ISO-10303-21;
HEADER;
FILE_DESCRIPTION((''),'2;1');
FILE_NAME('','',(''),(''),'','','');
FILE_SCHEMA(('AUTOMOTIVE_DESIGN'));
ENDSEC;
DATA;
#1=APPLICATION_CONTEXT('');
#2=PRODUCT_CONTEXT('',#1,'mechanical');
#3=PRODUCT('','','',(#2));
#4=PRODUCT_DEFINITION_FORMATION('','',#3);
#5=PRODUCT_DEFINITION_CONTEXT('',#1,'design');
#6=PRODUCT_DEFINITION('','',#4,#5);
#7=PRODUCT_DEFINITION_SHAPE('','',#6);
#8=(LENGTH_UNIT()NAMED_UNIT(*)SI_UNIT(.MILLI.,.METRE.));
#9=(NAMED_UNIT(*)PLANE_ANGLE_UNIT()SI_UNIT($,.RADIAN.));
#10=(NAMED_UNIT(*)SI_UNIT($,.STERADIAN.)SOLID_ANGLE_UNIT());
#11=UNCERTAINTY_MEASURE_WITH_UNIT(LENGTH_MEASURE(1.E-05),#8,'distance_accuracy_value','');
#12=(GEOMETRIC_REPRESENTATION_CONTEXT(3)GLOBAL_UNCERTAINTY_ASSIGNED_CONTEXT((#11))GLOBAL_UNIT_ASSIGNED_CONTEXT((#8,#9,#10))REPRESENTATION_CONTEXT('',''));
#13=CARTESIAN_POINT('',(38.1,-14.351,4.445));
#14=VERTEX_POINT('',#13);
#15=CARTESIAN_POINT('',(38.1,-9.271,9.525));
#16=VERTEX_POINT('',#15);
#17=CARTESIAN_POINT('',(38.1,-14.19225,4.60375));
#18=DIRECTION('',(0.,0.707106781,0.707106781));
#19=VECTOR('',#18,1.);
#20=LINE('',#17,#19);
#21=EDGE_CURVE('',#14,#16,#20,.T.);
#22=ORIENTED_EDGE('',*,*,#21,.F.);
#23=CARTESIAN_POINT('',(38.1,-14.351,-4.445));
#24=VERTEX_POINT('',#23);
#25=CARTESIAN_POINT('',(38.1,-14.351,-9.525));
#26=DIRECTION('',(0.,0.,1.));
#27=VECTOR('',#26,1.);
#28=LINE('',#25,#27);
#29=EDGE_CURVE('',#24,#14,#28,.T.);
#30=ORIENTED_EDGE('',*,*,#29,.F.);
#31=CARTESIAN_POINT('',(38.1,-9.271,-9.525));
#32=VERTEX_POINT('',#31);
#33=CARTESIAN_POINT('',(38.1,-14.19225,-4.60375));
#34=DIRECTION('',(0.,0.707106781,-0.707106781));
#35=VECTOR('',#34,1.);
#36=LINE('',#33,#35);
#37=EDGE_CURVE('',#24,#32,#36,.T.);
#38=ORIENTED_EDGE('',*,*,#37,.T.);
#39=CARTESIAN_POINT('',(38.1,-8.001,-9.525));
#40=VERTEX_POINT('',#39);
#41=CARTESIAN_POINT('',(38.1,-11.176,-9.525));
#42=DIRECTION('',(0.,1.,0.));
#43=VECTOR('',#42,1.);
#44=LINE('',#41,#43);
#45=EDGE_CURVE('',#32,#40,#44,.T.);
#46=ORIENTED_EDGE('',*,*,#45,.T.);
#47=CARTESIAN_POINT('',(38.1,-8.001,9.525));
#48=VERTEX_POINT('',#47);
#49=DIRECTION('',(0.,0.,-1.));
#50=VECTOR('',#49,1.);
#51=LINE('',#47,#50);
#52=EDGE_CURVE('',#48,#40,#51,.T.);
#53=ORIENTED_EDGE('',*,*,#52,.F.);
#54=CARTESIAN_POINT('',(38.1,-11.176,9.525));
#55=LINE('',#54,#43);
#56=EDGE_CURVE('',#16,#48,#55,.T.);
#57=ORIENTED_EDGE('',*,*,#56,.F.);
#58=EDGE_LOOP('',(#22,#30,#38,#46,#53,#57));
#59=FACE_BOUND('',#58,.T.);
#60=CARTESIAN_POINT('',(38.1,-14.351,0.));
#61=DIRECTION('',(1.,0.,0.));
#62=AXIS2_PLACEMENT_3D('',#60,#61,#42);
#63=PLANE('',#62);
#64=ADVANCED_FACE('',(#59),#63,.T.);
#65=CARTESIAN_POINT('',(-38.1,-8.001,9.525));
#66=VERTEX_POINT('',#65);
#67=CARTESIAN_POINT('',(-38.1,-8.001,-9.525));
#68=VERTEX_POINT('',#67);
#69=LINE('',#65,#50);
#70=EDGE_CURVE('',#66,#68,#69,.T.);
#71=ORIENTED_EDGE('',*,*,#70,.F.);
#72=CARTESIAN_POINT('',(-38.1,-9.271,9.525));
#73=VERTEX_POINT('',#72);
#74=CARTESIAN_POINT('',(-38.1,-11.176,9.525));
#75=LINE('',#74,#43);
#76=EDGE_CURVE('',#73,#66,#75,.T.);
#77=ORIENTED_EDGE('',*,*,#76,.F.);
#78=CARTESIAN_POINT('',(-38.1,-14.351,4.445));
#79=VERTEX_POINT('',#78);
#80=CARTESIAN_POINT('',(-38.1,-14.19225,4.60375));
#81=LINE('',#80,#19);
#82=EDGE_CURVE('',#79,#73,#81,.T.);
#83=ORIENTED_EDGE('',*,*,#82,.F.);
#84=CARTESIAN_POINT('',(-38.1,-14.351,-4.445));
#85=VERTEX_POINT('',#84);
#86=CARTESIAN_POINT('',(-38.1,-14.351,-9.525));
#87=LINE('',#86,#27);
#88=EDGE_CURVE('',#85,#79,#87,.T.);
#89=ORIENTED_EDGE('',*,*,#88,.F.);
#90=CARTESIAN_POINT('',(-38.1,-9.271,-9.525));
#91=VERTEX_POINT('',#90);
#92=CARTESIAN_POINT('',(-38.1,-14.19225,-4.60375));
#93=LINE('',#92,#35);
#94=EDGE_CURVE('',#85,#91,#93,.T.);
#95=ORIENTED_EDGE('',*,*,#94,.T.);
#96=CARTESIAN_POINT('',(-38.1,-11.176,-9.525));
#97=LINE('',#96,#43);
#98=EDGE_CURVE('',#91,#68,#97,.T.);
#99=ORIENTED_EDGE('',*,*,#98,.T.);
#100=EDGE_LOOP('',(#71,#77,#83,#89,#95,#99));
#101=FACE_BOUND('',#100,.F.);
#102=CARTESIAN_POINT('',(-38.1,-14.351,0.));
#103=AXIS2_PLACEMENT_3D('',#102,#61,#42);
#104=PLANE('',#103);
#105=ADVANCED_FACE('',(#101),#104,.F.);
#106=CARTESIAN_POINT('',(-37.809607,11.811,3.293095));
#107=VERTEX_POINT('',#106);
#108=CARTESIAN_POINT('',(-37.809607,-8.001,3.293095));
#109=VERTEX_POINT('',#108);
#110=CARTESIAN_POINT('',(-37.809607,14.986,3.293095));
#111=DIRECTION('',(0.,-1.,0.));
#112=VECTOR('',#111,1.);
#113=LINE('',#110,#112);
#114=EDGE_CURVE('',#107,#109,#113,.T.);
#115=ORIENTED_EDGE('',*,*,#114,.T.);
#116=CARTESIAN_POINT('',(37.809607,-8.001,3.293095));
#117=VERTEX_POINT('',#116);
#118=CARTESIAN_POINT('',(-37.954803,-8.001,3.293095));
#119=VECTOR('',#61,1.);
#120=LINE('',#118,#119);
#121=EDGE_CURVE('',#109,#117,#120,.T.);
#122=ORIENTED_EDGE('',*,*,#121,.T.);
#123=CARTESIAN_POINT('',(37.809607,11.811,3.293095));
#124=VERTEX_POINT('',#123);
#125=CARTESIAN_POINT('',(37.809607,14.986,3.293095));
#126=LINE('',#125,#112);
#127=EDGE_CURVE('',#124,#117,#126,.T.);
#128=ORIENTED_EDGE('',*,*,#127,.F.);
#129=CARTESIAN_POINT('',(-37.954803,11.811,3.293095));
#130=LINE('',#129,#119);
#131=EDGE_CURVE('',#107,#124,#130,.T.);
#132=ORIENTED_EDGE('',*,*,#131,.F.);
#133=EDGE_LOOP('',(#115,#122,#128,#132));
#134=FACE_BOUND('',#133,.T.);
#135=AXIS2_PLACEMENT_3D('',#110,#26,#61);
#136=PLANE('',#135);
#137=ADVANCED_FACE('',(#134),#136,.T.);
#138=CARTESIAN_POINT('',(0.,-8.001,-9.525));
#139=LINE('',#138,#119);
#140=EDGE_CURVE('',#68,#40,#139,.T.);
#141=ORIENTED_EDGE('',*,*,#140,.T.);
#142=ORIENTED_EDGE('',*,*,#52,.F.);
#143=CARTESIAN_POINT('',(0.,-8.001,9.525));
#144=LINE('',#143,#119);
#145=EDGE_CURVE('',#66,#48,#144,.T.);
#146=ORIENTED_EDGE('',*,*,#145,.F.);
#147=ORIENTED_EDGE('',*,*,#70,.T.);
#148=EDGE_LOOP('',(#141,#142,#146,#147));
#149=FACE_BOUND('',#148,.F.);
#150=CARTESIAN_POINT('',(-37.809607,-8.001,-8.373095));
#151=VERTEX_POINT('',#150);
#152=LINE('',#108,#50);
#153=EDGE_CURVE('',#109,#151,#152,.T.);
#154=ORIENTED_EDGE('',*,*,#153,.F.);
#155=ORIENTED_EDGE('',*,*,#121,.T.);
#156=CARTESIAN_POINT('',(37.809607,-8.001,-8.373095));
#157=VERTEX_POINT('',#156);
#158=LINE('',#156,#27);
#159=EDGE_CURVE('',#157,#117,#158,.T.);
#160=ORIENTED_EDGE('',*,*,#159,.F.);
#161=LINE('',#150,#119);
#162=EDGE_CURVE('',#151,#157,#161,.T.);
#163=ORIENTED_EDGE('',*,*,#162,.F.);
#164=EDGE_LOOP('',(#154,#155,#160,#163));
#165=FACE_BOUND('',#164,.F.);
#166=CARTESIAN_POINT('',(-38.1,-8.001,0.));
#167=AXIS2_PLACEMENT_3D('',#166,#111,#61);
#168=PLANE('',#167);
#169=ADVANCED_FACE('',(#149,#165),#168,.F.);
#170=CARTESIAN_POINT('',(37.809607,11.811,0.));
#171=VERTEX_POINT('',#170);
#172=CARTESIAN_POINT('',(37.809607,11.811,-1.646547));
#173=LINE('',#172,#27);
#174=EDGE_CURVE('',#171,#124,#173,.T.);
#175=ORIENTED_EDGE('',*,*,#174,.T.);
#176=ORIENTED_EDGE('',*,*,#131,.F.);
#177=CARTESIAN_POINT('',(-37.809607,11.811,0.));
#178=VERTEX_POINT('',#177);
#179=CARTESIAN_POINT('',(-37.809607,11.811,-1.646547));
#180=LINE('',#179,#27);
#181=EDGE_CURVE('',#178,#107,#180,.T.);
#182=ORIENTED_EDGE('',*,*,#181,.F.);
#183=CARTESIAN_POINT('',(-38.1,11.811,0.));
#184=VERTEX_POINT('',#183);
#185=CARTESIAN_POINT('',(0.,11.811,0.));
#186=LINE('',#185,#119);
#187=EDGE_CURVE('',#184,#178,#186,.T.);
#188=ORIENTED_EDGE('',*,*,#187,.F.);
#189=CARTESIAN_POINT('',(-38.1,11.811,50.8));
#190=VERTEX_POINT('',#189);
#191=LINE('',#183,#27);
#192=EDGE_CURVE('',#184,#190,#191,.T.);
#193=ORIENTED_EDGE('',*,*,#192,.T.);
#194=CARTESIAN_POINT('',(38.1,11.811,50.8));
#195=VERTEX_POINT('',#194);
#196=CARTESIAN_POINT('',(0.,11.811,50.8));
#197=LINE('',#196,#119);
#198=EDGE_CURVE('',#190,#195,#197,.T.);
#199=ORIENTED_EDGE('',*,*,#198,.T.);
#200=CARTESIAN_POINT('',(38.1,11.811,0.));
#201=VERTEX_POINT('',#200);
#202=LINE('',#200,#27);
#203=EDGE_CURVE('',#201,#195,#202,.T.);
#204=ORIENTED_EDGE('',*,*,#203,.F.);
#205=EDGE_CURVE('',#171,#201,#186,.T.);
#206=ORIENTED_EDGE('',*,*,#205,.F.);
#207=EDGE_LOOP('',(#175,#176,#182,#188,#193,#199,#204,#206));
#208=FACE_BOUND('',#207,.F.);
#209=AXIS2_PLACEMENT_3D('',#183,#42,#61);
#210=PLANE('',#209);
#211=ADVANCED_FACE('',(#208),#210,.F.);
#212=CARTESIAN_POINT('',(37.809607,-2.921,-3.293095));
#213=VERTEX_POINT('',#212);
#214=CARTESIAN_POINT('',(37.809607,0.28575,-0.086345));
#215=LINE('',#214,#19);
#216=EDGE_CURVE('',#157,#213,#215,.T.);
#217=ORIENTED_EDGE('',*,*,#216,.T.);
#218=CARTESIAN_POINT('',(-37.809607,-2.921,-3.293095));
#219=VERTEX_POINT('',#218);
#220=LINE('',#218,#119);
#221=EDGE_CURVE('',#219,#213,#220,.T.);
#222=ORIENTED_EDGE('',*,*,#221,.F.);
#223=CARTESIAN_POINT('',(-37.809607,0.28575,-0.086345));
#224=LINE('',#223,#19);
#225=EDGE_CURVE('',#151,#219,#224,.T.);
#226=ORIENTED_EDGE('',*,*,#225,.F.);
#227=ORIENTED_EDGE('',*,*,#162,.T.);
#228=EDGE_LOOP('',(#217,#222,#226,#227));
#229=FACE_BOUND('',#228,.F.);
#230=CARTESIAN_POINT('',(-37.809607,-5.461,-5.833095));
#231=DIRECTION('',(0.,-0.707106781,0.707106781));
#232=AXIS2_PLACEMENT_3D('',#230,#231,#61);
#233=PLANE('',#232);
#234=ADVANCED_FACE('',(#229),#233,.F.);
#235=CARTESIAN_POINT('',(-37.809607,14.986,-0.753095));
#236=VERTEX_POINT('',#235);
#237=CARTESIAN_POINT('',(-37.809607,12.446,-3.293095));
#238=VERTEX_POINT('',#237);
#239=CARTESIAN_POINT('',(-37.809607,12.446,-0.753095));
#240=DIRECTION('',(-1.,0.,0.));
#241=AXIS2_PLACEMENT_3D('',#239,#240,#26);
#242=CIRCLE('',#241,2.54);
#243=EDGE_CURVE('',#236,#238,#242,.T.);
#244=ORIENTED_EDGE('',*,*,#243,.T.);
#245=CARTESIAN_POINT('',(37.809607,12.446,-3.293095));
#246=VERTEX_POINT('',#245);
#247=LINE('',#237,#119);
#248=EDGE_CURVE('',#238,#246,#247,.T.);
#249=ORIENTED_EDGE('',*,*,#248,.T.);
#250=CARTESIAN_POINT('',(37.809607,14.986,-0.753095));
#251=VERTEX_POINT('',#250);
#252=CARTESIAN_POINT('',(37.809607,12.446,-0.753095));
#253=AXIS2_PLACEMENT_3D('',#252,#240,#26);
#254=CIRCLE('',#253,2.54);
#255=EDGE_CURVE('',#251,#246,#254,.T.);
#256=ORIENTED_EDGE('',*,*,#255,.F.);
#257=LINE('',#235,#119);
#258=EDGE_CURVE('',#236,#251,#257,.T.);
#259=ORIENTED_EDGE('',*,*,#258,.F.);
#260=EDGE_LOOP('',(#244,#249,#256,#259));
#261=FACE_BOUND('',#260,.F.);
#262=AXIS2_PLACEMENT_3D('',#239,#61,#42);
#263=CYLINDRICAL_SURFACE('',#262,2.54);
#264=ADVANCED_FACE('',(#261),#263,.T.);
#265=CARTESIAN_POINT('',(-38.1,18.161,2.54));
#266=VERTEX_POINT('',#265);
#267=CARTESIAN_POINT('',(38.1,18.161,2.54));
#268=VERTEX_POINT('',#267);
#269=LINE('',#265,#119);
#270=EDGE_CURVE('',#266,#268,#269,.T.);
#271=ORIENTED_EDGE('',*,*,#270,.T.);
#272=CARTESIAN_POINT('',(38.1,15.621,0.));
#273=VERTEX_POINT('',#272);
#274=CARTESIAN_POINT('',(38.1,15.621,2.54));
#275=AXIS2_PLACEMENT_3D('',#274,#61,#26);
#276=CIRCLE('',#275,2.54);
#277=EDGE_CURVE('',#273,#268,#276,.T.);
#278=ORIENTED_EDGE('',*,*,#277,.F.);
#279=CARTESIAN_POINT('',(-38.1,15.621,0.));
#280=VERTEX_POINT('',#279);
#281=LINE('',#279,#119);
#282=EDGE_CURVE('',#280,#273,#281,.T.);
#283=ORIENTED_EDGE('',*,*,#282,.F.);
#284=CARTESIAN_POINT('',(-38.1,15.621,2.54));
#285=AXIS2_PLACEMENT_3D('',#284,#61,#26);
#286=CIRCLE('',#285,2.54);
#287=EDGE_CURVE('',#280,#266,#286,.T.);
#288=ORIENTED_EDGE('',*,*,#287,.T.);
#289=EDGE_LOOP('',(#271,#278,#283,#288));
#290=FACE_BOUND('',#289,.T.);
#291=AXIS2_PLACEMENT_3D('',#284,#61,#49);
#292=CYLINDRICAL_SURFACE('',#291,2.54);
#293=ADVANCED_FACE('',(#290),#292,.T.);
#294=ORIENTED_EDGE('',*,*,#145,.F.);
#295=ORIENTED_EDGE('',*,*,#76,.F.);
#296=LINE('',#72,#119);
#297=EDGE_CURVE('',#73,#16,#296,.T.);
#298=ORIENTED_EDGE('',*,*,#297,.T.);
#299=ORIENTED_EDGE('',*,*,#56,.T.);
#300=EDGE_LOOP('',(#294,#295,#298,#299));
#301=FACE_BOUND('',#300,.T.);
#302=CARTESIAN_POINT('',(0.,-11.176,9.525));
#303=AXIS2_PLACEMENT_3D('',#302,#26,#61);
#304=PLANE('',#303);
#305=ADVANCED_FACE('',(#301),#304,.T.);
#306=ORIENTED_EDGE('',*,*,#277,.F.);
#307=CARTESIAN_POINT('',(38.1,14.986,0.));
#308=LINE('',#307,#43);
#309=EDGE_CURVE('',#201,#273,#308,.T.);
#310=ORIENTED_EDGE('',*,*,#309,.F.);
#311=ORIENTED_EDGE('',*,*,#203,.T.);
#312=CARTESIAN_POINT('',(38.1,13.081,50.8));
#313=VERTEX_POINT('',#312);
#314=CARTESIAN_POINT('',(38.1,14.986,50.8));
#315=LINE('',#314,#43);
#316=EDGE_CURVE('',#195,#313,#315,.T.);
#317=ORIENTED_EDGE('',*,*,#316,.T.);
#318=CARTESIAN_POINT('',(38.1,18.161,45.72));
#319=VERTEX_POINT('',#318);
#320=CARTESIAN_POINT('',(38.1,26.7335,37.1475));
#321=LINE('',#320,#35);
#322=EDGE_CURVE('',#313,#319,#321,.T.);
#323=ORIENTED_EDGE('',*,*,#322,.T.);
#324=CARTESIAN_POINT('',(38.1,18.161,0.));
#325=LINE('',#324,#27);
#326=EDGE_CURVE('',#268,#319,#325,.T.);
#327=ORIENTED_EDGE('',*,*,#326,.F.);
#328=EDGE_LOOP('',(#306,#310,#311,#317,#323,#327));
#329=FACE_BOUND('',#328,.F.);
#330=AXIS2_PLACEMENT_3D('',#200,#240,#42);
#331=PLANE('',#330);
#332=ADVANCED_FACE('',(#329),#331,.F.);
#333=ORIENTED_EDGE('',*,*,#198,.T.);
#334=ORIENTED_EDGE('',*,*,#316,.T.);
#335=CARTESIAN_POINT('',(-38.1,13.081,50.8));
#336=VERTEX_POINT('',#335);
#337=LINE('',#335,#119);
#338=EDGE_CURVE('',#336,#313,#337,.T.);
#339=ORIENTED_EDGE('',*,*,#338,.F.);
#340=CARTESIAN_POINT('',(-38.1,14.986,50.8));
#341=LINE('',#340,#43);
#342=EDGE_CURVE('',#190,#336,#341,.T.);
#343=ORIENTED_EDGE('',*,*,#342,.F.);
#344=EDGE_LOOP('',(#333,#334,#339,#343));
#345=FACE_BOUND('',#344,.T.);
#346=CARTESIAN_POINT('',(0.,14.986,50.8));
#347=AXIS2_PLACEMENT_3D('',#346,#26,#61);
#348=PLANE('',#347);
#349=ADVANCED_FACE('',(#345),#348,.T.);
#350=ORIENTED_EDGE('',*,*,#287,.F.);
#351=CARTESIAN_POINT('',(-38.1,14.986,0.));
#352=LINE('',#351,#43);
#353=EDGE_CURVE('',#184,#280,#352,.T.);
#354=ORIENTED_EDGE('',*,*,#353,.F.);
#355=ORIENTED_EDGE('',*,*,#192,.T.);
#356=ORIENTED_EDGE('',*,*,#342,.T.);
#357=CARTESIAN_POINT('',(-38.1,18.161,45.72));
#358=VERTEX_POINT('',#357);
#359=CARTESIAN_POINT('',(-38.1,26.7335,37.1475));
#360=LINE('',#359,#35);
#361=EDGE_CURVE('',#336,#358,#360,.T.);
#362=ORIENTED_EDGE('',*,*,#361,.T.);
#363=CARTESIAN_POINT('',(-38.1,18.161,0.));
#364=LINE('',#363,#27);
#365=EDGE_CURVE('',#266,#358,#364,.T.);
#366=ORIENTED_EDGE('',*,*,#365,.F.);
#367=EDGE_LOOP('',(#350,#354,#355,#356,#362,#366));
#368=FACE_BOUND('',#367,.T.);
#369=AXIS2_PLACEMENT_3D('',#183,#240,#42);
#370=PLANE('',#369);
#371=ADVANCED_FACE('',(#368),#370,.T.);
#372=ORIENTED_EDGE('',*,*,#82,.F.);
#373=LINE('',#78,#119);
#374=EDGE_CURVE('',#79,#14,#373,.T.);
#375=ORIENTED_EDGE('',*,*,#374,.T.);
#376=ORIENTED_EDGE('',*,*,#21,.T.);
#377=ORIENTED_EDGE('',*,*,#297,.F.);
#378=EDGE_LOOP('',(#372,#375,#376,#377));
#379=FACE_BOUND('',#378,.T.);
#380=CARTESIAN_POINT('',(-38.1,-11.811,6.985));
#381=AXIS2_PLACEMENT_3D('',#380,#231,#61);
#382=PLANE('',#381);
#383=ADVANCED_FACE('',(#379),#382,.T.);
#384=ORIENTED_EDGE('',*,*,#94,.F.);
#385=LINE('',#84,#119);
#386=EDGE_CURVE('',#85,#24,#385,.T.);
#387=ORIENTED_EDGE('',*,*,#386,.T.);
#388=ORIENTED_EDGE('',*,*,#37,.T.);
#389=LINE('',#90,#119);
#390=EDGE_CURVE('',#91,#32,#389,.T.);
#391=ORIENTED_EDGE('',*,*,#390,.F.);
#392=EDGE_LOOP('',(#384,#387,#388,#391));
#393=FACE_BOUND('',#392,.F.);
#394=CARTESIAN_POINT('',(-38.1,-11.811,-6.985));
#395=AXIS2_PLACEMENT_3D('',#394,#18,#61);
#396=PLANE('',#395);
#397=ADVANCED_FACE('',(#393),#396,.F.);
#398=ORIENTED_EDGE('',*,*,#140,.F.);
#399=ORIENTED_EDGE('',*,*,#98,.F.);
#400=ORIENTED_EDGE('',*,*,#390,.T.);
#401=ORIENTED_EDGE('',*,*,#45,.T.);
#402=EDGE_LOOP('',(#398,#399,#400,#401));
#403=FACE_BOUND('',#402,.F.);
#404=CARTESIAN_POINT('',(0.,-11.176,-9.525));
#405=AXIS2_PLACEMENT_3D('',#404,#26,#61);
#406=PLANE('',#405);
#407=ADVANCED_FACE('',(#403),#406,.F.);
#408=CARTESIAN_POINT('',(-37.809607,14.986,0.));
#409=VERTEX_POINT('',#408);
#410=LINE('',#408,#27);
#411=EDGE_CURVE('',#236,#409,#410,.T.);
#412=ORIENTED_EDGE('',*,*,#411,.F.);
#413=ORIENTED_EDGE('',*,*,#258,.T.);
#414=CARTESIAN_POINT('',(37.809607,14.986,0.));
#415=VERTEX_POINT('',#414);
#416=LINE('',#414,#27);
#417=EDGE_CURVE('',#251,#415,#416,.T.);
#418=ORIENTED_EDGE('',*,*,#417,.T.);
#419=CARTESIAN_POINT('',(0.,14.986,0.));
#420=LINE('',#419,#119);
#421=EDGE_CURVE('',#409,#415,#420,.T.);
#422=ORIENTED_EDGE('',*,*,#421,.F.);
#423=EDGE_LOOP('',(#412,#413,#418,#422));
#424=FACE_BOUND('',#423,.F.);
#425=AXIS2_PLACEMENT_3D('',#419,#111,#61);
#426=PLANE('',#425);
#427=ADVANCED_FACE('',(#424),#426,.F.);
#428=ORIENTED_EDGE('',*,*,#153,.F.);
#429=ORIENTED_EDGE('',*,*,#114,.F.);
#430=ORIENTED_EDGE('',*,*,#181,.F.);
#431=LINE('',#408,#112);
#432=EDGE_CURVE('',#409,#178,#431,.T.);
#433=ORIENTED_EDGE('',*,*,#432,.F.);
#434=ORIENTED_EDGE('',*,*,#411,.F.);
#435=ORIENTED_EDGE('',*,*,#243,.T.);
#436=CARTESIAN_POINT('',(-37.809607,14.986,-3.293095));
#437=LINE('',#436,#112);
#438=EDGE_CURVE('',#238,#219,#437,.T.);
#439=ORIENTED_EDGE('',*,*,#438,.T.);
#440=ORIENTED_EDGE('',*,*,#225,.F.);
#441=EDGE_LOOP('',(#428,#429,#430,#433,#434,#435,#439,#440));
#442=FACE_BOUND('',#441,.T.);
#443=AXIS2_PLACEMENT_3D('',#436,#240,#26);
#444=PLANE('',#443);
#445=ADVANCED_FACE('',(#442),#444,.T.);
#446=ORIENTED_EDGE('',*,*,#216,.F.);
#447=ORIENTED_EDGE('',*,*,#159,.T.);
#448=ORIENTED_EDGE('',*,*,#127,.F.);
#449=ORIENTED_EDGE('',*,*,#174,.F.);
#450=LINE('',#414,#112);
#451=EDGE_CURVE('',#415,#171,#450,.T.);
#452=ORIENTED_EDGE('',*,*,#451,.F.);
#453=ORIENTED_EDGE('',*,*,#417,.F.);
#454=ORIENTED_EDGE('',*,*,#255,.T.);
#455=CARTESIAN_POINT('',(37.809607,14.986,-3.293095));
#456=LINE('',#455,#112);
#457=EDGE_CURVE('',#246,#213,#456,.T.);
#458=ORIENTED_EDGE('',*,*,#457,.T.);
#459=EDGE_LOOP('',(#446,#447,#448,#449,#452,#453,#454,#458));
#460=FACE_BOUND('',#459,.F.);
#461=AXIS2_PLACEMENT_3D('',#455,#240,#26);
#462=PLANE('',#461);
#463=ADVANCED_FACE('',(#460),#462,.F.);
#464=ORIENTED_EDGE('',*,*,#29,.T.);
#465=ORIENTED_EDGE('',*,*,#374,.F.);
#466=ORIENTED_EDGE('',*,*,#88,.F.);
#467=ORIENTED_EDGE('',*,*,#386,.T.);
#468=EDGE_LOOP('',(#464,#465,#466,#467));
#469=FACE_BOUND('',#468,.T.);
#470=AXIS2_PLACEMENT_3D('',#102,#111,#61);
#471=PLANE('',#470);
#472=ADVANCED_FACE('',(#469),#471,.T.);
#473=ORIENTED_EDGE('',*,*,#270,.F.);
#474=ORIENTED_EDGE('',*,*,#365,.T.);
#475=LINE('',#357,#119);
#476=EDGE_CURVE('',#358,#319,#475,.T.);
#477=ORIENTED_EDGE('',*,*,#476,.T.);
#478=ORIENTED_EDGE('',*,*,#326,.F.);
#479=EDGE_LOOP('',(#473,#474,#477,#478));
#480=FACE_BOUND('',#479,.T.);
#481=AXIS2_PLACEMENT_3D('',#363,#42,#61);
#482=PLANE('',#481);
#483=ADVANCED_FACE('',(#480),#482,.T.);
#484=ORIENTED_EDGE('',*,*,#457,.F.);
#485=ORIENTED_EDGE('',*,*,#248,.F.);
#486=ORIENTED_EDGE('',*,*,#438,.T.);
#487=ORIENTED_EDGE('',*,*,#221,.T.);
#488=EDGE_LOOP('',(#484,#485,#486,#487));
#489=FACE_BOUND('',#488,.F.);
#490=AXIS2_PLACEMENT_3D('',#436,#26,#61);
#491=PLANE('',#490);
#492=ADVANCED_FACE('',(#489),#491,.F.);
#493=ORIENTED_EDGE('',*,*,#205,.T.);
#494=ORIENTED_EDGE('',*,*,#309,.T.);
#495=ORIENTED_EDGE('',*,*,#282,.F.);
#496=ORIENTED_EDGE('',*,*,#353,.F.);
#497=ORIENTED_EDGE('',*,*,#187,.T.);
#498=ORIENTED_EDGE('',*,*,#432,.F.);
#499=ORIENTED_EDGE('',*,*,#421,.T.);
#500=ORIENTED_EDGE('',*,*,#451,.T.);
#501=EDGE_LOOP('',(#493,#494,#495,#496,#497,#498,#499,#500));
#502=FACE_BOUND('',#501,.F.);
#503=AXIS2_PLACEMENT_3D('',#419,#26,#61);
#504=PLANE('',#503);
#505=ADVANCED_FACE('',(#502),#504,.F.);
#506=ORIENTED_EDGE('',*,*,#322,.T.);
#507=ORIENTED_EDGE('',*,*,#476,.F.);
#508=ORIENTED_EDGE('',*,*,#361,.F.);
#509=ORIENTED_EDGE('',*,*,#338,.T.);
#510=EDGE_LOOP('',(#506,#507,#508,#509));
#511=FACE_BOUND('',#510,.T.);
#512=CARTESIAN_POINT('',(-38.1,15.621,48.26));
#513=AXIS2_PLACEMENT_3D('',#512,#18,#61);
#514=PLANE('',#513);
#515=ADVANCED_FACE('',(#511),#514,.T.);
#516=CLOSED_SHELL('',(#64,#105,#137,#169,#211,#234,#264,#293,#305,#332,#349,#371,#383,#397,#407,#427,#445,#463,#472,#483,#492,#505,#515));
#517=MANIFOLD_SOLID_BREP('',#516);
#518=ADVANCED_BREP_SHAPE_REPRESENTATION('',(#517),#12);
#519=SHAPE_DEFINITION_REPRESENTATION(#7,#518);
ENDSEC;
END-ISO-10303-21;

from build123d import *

# Parameters (mm, degrees)
F0_W     = 76.2
F0_H     = 6.35
F1_DEPTH = 50.8
F2_W     = 75.6192132831
F2_H     = 6.5861893818
F3_DEPTH = 25.4
F4_R     = 2.54
F5_SIZE  = 5.08
F7_DEPTH = 9.525
F9_SIZE  = 5.08


with BuildPart() as f1:
    # F0 (on Top) → F1 (new body)
    with BuildSketch(Plane.XY):
        Rectangle(F0_W, F0_H)
    extrude(amount=F1_DEPTH)

    # F2 (on Front) → F3 (join)
    with BuildSketch(Plane.XZ):
        Rectangle(F2_W, F2_H)
    extrude(amount=F3_DEPTH)

    # F4
    f4_edges = [f1.edges().sort_by_distance(p)[0] for p in [
        (0, 0, -3.293095),
        (0, 3.175, 0),
    ]]
    fillet(f4_edges, radius=F4_R)

    # F5
    f5_edges = [f1.edges().sort_by_distance(p)[0] for p in [
        (0, 3.175, 50.8),
    ]]
    chamfer(f5_edges, length=F5_SIZE)


with BuildPart() as f1_1:
    # F6: moved
    add(f1.part.moved(Location((0, 26.162, 0))))

    # F0 (on Top) → F7 (join, symmetric)
    with BuildSketch(Plane.XY):
        Rectangle(F0_W, F0_H)
    extrude(amount=F7_DEPTH, both=True)


with BuildPart() as f1_2:
    # F8: moved
    add(f1_1.part.moved(Location((0, -11.176, 0))))

    # F9
    f9_edges = [f1_2.edges().sort_by_distance(p)[0] for p in [
        (0, -8.001, -3.293095),
        (0, -14.351, -9.525),
        (0, -14.351, 9.525),
    ]]
    chamfer(f9_edges, length=F9_SIZE)


solid = f1_2.part
